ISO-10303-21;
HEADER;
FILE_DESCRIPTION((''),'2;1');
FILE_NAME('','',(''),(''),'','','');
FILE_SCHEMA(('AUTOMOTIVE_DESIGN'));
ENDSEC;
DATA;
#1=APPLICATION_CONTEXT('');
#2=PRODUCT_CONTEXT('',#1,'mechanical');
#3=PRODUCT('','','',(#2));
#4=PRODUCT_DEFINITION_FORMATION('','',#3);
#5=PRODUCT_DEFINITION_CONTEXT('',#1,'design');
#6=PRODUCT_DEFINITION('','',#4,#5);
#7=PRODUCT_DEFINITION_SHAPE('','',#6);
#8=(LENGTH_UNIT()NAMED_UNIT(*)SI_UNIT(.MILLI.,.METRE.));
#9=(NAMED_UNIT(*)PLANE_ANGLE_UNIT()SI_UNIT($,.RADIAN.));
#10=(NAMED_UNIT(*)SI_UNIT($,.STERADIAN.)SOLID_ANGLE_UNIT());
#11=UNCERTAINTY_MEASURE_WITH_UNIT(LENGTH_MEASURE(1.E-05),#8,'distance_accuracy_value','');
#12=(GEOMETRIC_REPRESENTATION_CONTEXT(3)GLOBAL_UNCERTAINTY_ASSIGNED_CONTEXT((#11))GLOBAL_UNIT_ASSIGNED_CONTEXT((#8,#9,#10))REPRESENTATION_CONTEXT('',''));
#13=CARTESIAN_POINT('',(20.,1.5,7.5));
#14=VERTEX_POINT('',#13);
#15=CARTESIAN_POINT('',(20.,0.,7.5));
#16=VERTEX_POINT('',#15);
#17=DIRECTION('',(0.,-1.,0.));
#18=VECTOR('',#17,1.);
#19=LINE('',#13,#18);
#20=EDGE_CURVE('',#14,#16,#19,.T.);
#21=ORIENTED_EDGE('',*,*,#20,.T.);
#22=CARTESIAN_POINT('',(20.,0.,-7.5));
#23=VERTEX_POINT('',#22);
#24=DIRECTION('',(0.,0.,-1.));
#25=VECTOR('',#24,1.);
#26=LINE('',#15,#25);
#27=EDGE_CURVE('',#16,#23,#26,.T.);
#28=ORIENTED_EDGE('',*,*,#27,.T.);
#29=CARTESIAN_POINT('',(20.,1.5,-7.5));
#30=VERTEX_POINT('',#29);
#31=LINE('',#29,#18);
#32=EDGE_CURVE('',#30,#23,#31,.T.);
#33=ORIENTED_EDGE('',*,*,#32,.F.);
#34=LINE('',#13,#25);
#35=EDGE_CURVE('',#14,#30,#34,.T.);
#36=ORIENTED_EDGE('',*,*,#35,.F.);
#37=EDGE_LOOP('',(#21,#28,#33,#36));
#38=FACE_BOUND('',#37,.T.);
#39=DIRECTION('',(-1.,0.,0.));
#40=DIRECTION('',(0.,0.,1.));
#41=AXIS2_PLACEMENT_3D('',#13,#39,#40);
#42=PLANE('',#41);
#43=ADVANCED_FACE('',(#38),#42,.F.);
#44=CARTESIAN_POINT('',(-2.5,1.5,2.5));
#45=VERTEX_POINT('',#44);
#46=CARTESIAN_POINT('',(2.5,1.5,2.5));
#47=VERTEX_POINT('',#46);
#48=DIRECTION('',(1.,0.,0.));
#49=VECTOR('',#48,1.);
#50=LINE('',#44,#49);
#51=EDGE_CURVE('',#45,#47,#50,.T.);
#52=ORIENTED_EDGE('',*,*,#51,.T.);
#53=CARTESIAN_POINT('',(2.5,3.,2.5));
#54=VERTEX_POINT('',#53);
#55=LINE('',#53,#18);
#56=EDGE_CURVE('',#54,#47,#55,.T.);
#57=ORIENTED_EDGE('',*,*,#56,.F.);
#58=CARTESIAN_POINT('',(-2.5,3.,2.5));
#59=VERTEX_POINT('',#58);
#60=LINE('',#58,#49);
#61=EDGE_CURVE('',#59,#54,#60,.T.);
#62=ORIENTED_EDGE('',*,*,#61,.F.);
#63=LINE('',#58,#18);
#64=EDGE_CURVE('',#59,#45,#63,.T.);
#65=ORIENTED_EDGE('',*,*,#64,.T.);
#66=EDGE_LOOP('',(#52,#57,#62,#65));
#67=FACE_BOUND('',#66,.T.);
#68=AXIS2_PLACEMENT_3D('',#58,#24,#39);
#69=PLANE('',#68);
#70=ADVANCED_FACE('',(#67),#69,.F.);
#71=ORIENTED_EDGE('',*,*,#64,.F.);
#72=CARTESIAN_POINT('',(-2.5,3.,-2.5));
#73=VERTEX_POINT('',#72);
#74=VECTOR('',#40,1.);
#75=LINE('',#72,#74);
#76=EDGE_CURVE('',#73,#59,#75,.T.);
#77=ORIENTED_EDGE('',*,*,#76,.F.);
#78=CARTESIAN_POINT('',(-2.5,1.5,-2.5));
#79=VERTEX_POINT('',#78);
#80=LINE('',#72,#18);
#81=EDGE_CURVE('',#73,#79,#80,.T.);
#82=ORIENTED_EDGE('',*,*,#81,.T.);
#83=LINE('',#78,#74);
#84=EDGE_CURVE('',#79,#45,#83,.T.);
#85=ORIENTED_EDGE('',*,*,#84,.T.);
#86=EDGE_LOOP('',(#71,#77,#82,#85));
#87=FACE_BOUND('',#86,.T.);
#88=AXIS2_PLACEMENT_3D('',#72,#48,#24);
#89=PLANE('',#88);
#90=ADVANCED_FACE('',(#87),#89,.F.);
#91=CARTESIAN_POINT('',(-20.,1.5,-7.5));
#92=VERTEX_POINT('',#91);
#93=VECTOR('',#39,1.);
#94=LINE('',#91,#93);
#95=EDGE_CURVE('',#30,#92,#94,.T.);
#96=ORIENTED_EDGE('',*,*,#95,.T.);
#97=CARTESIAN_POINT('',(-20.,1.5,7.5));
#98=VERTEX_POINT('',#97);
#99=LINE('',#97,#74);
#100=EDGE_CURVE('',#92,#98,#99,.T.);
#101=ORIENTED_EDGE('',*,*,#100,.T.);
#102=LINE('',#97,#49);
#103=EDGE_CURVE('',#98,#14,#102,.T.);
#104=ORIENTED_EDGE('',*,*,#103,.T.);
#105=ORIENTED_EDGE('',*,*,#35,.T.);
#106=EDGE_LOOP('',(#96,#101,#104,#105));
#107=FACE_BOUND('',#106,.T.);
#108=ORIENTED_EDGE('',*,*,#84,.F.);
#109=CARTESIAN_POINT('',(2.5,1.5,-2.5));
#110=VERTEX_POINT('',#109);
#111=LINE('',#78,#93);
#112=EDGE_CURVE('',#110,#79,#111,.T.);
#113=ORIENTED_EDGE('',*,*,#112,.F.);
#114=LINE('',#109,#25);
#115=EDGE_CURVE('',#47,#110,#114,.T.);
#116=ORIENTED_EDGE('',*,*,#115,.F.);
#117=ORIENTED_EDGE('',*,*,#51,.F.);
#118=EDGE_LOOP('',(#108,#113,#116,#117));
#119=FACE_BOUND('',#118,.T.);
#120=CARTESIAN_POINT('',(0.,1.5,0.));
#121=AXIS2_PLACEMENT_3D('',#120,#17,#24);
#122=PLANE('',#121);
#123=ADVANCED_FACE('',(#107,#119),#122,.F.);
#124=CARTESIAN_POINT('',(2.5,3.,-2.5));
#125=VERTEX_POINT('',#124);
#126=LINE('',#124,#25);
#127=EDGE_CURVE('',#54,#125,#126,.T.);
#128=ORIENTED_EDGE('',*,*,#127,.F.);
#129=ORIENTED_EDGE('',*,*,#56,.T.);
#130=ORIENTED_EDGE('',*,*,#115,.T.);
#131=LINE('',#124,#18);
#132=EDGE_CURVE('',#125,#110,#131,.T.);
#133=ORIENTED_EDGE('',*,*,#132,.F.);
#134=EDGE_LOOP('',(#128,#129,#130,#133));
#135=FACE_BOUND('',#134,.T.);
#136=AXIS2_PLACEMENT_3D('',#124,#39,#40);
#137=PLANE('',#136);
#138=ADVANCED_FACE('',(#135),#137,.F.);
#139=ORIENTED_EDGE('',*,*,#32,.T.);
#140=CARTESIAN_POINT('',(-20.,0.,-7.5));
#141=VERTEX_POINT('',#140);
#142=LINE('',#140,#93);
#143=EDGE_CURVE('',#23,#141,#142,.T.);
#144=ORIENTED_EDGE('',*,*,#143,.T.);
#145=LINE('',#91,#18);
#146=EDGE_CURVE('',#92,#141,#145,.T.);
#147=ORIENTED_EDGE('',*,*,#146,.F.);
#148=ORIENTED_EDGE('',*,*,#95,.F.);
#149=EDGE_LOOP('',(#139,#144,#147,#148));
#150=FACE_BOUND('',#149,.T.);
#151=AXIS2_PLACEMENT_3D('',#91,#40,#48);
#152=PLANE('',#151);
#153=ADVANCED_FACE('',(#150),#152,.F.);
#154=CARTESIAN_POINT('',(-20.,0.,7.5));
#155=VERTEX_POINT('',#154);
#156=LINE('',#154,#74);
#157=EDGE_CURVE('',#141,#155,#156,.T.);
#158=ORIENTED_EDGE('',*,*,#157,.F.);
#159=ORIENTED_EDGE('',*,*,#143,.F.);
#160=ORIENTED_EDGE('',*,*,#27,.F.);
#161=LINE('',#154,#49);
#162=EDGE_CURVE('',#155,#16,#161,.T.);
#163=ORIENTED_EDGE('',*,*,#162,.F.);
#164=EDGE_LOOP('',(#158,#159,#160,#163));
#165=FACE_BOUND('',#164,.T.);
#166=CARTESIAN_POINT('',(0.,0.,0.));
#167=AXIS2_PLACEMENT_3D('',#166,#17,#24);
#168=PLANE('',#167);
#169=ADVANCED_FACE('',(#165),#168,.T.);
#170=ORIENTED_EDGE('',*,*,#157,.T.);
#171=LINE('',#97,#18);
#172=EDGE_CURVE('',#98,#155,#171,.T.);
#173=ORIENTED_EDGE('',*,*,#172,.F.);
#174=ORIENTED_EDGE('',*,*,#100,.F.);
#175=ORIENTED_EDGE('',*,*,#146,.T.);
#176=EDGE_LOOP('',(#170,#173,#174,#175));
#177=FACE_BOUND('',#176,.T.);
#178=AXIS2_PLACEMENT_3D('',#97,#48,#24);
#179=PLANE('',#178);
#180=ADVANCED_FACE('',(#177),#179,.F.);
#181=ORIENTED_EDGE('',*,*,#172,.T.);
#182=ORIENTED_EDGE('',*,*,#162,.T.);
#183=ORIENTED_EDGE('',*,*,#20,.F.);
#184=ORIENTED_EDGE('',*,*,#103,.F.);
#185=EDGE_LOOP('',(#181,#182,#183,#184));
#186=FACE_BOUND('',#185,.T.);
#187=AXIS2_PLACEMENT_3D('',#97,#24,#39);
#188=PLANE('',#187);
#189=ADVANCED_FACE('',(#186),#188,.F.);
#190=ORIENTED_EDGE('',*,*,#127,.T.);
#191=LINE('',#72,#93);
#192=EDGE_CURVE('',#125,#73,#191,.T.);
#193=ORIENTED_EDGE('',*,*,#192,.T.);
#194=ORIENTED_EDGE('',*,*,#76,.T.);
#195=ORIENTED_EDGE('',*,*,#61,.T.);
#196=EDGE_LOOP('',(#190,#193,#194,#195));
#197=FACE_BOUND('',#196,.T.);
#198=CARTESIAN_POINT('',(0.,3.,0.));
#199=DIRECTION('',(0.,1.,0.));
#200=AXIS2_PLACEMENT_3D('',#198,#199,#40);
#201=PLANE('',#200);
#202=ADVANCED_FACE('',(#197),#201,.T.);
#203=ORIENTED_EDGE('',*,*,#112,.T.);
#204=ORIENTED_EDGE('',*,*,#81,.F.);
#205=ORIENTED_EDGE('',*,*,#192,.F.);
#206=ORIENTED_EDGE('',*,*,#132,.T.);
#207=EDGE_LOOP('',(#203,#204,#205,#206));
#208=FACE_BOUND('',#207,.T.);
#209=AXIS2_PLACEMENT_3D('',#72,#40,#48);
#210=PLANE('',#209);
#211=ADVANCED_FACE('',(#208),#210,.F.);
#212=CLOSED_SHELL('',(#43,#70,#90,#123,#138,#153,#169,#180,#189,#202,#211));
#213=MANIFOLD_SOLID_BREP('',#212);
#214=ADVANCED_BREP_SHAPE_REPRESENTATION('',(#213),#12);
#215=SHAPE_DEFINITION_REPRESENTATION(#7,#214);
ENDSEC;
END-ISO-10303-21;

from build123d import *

# Parameters (mm, degrees)
SKETCH_1_W      = 40
SKETCH_1_H      = 15
EXTRUDE_1_DEPTH = 1.5
SKETCH_2_W      = 5
SKETCH_2_H      = 5
EXTRUDE_2_DEPTH = 1.5


with BuildPart() as part:
    # 草图1 → 凸台-拉伸1 (new body)
    with BuildSketch(Plane(origin=(0, 0, 0), x_dir=(1, 0, 0), z_dir=(0, 1, 0))):
        Rectangle(SKETCH_1_W, SKETCH_1_H)
    extrude(amount=EXTRUDE_1_DEPTH)

    # 草图2 → 凸台-拉伸2 (add)
    with BuildSketch(Plane(origin=(0, 1.5, 0), x_dir=(1, 0, 0), z_dir=(0, 1, 0))):
        Rectangle(SKETCH_2_W, SKETCH_2_H)
    extrude(amount=EXTRUDE_2_DEPTH)


solid = part.part
